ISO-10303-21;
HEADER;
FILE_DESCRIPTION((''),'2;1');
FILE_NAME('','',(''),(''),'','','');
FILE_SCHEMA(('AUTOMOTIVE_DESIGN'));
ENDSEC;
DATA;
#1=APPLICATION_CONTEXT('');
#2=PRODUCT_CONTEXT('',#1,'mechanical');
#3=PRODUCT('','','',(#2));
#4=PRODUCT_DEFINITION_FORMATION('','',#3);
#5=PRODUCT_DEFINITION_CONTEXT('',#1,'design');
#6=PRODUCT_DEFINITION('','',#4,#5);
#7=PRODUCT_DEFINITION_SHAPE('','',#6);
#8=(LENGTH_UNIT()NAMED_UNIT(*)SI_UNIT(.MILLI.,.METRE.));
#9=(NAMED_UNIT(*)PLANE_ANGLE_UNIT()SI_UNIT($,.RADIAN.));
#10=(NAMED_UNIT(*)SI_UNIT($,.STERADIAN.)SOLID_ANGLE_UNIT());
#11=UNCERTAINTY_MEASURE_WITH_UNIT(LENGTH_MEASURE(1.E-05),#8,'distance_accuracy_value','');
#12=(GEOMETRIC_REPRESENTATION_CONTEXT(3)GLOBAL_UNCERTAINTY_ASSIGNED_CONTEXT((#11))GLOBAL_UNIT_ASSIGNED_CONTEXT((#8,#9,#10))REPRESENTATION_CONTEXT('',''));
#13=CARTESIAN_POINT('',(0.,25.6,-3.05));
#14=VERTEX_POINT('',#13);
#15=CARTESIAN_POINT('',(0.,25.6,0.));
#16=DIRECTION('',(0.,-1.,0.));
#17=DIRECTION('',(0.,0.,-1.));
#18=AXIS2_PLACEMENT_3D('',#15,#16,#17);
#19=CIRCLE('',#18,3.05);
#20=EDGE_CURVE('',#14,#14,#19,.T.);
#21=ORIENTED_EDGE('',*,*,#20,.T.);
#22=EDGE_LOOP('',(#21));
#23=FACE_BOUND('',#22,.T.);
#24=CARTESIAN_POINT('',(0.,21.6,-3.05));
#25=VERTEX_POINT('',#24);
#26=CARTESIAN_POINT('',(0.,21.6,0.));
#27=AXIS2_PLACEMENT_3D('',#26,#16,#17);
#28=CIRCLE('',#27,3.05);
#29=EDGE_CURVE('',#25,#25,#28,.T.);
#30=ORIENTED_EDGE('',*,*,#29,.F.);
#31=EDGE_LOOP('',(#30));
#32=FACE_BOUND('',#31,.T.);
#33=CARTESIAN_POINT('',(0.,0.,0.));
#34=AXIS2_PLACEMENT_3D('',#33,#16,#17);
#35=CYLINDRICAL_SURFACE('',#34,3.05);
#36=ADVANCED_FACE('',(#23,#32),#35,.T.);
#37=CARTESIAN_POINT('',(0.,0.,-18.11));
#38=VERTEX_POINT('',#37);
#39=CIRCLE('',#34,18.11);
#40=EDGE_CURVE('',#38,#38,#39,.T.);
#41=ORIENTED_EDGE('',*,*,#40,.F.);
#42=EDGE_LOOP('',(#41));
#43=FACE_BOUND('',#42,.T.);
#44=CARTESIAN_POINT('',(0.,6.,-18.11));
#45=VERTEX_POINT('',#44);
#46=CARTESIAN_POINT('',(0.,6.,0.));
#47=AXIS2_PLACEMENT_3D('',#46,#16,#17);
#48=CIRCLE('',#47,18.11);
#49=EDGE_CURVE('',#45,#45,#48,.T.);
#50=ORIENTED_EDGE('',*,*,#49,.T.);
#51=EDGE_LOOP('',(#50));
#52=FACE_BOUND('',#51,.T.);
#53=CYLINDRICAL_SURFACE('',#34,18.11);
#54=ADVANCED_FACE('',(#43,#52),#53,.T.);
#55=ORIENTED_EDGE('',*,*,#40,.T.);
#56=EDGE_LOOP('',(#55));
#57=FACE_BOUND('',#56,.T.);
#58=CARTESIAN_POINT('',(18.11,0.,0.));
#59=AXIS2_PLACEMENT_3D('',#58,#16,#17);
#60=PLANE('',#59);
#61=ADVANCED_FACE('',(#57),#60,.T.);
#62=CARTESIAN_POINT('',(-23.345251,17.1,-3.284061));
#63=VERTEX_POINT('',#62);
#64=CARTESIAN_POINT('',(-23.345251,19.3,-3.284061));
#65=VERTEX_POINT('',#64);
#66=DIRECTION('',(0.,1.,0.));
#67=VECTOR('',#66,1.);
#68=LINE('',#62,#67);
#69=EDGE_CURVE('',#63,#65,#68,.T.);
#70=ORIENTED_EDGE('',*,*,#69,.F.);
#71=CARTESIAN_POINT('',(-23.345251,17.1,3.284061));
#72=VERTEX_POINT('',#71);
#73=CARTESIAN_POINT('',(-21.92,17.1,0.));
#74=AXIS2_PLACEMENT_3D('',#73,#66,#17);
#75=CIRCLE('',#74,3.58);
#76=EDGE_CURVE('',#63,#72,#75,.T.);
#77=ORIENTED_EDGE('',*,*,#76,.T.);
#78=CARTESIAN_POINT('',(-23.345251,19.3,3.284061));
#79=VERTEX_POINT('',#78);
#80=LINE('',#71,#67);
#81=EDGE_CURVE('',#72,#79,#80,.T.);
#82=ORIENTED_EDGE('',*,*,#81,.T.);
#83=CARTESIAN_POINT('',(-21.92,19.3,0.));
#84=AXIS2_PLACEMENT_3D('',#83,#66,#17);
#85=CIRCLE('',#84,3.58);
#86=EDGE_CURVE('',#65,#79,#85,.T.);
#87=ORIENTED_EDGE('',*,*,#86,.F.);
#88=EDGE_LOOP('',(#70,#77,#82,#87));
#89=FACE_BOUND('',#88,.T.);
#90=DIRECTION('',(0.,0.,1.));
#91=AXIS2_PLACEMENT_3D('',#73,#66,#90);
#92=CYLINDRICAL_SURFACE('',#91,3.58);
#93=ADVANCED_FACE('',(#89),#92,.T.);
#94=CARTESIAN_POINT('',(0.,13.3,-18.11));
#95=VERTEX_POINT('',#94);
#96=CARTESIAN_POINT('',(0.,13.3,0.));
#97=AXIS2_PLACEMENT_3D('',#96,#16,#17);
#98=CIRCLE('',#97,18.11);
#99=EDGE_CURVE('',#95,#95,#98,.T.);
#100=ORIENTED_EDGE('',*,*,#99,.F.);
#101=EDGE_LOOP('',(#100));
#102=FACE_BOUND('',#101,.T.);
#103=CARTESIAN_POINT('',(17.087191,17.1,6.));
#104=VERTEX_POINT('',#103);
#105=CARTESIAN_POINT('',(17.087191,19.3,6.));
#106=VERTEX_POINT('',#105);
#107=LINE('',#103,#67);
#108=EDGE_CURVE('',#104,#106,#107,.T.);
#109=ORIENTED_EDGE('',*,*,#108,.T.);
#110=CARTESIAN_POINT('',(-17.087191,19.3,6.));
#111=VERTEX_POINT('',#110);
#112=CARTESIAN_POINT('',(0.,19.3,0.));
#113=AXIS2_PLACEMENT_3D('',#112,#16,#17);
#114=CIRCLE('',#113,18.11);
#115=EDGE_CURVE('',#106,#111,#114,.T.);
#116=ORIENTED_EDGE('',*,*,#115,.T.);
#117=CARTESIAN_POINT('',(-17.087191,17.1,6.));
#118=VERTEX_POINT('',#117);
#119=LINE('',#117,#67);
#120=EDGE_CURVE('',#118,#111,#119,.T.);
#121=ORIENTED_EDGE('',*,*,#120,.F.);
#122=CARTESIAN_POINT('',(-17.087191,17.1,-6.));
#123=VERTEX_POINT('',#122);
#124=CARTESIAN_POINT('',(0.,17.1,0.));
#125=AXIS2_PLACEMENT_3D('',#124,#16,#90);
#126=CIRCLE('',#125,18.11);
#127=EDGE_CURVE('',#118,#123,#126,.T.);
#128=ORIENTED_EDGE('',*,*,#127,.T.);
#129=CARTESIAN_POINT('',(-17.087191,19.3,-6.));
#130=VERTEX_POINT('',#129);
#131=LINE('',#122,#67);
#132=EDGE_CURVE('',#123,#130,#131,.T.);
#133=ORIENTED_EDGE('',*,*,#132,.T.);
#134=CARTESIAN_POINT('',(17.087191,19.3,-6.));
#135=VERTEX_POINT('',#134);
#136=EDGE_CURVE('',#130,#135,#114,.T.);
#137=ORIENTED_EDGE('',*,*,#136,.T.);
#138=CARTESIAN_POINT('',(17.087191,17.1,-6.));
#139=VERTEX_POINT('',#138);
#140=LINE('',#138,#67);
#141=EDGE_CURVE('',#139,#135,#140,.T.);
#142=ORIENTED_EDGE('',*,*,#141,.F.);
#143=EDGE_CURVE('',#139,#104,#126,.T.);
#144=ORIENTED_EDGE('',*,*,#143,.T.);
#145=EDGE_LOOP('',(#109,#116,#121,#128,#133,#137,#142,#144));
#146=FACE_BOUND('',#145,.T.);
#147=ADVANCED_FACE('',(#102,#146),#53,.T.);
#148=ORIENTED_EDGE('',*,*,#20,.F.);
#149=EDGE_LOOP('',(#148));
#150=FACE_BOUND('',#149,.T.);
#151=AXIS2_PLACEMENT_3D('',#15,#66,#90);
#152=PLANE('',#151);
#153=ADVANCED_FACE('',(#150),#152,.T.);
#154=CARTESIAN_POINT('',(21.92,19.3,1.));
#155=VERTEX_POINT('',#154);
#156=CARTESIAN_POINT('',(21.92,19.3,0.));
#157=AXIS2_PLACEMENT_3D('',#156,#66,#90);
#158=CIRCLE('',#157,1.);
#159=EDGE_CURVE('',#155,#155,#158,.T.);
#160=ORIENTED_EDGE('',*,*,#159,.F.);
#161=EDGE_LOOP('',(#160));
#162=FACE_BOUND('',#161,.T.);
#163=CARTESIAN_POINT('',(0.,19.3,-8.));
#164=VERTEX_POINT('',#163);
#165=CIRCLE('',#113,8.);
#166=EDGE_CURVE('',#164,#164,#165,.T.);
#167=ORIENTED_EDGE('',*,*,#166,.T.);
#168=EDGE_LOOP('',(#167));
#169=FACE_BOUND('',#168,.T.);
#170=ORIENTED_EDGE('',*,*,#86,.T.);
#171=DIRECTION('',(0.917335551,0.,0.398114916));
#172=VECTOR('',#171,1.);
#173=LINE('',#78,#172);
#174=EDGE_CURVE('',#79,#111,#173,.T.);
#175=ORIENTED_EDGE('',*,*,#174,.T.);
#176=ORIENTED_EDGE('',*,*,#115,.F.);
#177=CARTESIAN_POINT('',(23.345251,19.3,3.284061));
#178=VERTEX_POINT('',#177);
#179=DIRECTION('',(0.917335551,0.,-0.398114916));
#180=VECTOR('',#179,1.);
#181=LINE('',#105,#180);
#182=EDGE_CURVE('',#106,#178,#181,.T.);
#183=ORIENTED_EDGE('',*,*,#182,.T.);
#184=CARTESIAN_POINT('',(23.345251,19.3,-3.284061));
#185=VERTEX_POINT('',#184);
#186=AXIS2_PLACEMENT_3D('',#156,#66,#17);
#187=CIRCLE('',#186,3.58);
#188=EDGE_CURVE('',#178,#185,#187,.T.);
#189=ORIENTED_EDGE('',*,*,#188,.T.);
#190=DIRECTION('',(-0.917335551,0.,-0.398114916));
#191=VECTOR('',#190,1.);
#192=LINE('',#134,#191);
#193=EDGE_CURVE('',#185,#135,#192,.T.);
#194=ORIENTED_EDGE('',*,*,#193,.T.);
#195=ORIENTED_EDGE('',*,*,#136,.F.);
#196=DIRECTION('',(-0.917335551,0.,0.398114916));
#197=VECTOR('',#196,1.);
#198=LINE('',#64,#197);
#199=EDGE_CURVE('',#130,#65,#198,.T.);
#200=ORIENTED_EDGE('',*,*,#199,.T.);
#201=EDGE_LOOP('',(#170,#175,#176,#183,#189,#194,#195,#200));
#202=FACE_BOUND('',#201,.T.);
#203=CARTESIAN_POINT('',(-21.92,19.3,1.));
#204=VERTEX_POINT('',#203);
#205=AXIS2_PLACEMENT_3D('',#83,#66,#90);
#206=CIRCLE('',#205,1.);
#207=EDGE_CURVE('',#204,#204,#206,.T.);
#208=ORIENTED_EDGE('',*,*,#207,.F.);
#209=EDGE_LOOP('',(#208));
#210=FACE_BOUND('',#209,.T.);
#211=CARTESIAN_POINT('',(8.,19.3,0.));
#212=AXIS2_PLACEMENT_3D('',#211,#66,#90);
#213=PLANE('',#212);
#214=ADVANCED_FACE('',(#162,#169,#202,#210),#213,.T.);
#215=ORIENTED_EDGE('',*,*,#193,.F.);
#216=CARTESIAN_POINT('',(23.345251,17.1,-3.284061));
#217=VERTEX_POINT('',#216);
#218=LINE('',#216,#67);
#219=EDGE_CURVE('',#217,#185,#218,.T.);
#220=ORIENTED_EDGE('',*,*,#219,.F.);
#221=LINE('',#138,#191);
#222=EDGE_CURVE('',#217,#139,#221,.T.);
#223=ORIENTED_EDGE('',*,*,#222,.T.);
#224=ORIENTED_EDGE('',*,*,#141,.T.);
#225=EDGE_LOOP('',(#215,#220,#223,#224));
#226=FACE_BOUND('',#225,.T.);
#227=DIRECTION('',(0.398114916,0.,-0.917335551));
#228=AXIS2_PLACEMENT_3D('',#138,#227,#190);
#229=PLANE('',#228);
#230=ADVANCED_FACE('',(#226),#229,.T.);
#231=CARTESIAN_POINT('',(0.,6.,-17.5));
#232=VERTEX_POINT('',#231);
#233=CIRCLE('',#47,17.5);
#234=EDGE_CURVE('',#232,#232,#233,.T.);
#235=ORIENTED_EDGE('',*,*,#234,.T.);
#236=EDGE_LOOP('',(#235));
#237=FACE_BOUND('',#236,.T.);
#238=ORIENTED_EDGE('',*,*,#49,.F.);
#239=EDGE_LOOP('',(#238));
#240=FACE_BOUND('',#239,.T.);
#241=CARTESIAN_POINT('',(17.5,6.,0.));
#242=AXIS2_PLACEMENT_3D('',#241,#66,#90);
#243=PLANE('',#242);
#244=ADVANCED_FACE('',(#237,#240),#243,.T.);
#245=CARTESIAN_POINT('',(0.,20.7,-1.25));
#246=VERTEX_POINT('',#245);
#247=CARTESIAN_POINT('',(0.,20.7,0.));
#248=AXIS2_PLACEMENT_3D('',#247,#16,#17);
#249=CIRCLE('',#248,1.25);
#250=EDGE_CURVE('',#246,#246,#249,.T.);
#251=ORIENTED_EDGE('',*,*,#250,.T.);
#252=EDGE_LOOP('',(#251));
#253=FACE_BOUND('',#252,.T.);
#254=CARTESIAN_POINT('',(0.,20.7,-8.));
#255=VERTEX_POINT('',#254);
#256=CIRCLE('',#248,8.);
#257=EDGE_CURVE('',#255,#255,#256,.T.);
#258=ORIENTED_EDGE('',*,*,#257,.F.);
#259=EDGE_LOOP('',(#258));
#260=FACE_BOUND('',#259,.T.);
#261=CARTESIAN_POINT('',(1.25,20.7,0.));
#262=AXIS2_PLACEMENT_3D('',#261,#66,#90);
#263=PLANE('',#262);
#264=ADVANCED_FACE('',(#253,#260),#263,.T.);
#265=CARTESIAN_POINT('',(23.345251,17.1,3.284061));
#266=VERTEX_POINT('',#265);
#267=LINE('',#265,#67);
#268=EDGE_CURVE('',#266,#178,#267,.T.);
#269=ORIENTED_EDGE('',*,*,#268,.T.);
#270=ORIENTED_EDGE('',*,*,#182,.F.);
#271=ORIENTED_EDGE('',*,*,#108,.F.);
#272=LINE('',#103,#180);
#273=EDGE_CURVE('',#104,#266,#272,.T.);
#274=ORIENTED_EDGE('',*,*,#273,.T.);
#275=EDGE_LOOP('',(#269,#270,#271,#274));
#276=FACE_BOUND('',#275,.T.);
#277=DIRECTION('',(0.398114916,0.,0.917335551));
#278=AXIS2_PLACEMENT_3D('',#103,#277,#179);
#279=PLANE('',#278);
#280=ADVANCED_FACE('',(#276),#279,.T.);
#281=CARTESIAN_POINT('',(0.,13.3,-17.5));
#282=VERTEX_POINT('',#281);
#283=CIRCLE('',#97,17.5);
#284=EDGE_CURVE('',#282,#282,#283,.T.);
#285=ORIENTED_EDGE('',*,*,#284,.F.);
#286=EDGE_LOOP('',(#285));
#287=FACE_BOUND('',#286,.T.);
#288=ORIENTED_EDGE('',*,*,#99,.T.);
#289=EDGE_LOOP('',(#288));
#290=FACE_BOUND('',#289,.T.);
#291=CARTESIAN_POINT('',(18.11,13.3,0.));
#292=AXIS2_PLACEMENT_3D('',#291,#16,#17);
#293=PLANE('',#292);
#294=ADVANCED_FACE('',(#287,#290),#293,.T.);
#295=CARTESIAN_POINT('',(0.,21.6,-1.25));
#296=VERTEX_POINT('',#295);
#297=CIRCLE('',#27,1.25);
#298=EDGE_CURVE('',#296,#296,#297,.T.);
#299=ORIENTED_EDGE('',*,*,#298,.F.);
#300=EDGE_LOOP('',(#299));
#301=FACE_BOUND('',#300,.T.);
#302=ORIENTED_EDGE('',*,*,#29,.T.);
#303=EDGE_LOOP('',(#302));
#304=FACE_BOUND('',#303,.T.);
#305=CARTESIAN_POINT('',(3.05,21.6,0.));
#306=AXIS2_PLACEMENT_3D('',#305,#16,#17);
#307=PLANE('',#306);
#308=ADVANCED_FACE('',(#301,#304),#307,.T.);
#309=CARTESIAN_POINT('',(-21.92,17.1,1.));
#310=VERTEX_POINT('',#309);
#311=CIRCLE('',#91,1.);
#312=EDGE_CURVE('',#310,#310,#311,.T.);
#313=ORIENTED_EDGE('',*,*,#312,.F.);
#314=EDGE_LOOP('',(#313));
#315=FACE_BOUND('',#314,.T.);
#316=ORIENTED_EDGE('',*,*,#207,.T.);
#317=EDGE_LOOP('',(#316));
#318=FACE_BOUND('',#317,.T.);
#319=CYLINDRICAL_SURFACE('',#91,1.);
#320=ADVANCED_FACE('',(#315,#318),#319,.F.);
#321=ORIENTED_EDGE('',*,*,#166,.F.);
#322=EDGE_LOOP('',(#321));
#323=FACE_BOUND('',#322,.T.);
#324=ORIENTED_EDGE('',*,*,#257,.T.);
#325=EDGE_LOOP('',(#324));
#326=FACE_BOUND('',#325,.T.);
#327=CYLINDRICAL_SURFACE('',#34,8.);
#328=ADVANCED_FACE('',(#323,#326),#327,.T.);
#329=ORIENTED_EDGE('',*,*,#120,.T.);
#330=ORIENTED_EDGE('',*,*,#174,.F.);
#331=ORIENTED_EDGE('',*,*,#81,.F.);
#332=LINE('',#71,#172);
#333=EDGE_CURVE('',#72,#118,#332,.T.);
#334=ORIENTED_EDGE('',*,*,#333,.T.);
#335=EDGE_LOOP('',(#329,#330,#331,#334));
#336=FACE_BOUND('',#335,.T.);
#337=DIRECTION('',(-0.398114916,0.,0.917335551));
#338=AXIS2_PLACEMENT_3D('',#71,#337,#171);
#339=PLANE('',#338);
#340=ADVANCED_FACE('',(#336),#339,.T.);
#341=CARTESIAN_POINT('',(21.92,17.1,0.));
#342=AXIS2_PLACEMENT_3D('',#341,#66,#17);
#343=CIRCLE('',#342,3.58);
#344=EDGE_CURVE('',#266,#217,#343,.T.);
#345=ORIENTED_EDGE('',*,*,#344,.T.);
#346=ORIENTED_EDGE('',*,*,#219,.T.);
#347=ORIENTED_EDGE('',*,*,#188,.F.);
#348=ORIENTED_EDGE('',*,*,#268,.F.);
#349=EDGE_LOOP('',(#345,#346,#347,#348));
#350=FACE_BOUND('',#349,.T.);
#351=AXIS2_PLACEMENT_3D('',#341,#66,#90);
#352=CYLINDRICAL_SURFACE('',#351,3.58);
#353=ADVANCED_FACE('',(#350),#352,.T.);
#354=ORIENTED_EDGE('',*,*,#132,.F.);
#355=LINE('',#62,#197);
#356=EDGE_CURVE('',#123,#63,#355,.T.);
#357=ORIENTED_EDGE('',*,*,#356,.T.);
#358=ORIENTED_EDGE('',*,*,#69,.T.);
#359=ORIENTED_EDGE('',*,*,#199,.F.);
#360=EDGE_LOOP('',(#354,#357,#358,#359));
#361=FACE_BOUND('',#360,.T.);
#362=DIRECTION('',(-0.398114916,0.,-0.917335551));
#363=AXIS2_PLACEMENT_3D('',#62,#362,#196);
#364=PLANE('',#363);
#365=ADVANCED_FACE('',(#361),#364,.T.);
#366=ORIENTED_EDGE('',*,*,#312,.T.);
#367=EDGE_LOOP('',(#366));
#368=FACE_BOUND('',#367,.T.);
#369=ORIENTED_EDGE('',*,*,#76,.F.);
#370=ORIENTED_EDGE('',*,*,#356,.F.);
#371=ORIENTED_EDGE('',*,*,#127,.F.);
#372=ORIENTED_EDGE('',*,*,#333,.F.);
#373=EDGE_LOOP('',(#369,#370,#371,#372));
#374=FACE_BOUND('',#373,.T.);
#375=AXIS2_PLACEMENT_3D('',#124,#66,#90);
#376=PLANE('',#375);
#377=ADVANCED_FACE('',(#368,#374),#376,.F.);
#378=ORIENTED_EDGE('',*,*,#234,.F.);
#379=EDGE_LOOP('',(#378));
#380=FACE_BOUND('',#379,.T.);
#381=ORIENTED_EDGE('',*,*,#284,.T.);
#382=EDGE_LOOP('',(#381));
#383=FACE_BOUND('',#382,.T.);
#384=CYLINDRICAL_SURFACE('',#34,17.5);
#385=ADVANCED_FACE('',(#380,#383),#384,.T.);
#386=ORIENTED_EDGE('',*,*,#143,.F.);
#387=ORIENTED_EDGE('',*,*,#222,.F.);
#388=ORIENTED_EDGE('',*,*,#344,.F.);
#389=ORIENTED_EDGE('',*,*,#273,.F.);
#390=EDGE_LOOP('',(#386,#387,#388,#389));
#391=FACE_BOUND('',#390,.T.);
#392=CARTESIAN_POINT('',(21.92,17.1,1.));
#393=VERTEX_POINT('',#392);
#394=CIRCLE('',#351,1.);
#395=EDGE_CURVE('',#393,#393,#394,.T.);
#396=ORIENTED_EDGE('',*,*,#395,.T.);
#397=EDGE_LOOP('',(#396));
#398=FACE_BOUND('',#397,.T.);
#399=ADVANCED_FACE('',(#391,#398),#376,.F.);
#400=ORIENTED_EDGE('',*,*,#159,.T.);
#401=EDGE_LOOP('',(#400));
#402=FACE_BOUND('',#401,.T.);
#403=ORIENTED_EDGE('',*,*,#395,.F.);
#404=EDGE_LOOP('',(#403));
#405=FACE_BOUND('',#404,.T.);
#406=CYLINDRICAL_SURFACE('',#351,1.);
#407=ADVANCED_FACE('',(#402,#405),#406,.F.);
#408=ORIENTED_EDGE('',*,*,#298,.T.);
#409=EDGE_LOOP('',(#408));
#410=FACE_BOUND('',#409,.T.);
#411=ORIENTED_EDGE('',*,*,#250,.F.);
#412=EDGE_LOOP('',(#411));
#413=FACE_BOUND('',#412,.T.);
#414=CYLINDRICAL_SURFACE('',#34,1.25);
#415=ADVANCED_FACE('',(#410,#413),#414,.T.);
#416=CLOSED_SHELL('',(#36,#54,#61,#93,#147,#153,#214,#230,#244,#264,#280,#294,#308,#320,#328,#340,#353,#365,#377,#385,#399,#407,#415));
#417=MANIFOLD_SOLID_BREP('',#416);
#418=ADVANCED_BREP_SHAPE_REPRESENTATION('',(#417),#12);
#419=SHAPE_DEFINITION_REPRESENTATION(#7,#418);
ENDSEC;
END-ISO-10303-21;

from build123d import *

# Parameters (mm, degrees)
BOSS_EXTRUDE1_START = -2.2
SKETCH2_R           = 1
BOSS_EXTRUDE1_DEPTH = 2.2


with BuildPart() as part:
    # Sketch1 → Revolve1 (revolve)
    with BuildSketch(Plane.XY, mode=Mode.PRIVATE) as revolve1_sk:
        Polygon((0, 25.6), (3.05, 25.6), (3.05, 21.6), (1.25, 21.6), (1.25, 20.7), (8, 20.7), (8, 19.3), (18.11, 19.3), (18.11, 13.3), (17.5, 13.3), (17.5, 6), (18.11, 6), (18.11, 0), (0, 0), align=None)
    revolve(revolve1_sk.sketch.rotate(Axis((0, 0, 0), (0, 1, 0)), 90), axis=Axis((0, 0, 0), (0, 1, 0)))

    # Sketch2 → Boss-Extrude1 (add)
    # profile 1 of 2: a face of its own
    with BuildSketch(Plane(origin=(0, 19.3, 0), x_dir=(1, 0, 0), z_dir=(0, 1, 0)).offset(BOSS_EXTRUDE1_START)):
        with BuildLine():
            Line((-23.3452514, 3.284061273), (-17.087191109, 6))
            ThreePointArc((-17.087191109, 6), (-18.11, 0), (-17.087191109, -6))
            Line((-17.087191109, -6), (-23.3452514, -3.284061273))
            ThreePointArc((-23.3452514, -3.284061273), (-25.5, 0), (-23.3452514, 3.284061273))
        make_face()
        with Locations(Location((-21.92, 0, 0), (0, 0, 270))):
            Circle(SKETCH2_R, mode=Mode.SUBTRACT)
    # profile 2 of 2: a face of its own
    with BuildSketch(Plane(origin=(0, 19.3, 0), x_dir=(1, 0, 0), z_dir=(0, 1, 0)).offset(BOSS_EXTRUDE1_START)):
        with BuildLine():
            Line((17.087191109, 6), (23.3452514, 3.284061273))
            ThreePointArc((23.3452514, 3.284061273), (25.5, 0), (23.3452514, -3.284061273))
            Line((23.3452514, -3.284061273), (17.087191109, -6))
            ThreePointArc((17.087191109, -6), (18.11, 0), (17.087191109, 6))
        make_face()
        with Locations(Location((21.92, 0, 0), (0, 0, 270))):
            Circle(SKETCH2_R, mode=Mode.SUBTRACT)
    extrude(amount=BOSS_EXTRUDE1_DEPTH)


solid = part.part
